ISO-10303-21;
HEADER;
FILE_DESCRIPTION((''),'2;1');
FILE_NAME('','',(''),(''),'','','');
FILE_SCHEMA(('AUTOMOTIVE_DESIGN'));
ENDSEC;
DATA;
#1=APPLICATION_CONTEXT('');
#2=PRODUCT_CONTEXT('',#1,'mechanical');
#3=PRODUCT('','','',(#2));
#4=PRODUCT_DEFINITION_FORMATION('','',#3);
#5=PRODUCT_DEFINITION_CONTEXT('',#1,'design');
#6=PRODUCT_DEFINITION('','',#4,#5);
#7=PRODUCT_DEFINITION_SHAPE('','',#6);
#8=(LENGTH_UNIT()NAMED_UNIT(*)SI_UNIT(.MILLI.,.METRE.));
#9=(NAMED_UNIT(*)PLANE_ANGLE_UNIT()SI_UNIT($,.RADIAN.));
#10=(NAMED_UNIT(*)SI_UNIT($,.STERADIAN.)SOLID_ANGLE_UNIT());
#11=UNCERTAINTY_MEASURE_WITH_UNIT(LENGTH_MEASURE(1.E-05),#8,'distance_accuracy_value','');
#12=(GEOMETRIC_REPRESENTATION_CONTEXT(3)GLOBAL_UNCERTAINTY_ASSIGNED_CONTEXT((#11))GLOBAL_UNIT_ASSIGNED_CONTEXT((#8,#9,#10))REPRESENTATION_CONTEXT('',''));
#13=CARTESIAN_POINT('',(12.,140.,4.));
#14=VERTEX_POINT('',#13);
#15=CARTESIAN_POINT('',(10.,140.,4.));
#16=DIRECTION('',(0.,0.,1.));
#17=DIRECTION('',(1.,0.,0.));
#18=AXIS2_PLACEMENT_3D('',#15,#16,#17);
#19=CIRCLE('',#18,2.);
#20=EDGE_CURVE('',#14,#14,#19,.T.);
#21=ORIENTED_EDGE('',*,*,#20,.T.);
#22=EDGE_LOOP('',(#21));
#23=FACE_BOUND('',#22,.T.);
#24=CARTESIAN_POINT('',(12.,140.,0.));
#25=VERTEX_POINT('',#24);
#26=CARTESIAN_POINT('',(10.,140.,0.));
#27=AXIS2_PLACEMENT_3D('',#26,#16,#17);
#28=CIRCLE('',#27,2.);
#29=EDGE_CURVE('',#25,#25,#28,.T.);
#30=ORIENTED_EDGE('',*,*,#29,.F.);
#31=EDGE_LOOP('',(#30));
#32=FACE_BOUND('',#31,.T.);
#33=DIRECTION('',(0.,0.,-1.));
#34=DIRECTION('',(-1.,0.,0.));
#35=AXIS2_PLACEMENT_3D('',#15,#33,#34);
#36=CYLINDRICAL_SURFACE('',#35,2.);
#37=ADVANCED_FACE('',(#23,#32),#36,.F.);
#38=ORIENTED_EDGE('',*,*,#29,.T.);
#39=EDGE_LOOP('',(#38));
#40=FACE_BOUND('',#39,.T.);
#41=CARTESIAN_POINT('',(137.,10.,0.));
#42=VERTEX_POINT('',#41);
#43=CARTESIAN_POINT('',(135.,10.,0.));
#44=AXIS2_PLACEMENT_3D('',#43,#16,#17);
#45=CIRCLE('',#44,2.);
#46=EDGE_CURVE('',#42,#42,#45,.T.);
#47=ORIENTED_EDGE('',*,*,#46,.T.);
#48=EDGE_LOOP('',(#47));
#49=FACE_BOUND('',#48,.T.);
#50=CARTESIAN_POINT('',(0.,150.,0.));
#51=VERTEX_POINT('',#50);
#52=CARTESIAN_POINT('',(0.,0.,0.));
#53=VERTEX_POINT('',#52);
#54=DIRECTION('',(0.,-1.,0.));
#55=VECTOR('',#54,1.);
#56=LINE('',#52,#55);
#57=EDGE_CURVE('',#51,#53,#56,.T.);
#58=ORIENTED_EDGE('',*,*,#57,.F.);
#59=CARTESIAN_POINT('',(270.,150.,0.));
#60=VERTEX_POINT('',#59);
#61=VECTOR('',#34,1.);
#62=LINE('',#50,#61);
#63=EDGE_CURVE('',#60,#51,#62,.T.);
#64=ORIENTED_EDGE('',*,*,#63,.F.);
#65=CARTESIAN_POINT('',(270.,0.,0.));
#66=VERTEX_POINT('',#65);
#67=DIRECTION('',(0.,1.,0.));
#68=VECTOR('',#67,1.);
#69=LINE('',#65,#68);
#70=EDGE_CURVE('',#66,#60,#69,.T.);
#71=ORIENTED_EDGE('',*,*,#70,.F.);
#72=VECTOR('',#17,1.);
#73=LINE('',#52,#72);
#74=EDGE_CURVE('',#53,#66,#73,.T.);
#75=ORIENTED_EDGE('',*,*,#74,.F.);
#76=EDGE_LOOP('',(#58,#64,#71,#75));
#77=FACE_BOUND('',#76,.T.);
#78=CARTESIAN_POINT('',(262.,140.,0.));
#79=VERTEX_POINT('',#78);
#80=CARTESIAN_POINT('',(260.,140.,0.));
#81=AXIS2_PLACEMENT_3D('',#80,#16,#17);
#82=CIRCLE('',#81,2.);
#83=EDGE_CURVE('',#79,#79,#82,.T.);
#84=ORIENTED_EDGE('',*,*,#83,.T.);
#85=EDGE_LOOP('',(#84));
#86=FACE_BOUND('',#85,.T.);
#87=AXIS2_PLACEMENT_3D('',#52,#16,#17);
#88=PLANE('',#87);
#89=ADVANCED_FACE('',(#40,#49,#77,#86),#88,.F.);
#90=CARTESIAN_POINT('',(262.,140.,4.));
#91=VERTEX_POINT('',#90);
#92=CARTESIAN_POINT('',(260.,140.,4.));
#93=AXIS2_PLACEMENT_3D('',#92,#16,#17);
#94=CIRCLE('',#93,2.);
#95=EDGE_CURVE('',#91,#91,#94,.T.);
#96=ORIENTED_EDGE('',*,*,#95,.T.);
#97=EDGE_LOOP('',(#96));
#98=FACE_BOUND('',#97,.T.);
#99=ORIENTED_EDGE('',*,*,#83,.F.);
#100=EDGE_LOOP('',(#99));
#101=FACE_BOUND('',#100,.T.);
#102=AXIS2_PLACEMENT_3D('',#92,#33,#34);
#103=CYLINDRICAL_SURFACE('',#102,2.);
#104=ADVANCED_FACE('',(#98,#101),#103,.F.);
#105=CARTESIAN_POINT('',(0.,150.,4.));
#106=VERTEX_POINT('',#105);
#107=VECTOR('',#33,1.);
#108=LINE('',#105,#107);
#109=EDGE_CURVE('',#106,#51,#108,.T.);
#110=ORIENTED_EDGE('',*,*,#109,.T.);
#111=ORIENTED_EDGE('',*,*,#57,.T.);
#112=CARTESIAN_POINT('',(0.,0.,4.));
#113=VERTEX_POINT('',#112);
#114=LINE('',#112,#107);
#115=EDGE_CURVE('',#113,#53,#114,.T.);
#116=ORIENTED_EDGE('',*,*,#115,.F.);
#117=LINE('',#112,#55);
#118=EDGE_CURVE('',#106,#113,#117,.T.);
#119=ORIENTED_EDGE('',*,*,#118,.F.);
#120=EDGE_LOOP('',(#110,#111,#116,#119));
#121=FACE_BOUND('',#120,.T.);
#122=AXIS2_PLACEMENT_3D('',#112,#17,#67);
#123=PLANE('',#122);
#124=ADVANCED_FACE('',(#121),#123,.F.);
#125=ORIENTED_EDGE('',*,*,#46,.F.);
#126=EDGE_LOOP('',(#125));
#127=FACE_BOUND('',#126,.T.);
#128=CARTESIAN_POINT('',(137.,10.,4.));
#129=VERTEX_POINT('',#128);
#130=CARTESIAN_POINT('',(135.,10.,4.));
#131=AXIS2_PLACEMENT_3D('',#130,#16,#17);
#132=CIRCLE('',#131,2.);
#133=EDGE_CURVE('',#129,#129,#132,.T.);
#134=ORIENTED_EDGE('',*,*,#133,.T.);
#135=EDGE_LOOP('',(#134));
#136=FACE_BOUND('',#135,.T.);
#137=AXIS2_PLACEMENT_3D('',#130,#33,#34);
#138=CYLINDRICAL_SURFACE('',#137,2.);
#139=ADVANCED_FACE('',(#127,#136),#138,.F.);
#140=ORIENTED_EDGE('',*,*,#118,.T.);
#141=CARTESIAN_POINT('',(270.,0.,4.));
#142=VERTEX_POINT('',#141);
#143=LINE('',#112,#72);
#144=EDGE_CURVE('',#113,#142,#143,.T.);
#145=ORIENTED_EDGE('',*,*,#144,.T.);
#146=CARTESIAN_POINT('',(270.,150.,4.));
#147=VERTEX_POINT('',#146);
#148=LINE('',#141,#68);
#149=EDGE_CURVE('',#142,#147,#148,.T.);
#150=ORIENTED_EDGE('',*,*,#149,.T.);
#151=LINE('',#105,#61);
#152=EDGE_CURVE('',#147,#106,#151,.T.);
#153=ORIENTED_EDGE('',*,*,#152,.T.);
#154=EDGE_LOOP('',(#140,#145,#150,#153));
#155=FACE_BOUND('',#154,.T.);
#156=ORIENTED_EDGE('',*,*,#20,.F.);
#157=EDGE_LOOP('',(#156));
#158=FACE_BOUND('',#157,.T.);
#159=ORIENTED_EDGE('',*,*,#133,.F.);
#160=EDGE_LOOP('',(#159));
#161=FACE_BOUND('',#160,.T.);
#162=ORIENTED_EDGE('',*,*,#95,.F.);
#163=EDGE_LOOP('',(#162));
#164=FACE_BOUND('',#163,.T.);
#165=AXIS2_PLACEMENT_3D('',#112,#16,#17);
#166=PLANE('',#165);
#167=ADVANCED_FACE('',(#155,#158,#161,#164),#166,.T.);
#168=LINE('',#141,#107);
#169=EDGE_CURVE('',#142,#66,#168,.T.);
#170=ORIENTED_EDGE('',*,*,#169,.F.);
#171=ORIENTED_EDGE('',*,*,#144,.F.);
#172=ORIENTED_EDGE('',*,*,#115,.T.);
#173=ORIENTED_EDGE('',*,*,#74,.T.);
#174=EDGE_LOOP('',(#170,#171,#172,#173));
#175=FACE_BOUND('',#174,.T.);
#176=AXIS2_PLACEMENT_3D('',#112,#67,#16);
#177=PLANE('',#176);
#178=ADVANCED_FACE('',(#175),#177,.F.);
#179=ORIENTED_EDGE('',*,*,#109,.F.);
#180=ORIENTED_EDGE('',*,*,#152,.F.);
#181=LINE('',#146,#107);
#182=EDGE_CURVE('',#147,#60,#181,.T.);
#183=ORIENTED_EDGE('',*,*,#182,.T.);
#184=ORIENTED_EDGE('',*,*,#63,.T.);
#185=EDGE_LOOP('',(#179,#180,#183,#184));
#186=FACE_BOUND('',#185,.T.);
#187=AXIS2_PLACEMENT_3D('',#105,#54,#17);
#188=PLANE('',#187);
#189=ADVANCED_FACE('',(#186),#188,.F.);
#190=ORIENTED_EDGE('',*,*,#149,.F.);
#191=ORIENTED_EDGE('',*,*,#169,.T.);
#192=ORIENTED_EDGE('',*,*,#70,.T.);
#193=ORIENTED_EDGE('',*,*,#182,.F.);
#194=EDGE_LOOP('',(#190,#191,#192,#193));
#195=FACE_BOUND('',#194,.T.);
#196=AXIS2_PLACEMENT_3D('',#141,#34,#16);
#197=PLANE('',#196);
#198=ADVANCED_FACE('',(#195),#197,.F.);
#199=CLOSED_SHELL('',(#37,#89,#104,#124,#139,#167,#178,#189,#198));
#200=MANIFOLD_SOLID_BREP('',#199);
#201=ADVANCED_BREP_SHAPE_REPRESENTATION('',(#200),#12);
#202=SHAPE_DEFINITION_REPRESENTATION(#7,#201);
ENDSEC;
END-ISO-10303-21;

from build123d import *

# Parameters (mm, degrees)
SKETCH2_W           = 270
SKETCH2_H           = 150
SKETCH2_R           = 2
BOSS_EXTRUDE1_DEPTH = 4


with BuildPart() as part:
    # Sketch2 → Boss-Extrude1 (new body)
    with BuildSketch(Plane.XY):
        with Locations((135, 75)):
            Rectangle(SKETCH2_W, SKETCH2_H)
        with Locations((10, 140)):
            Circle(SKETCH2_R, mode=Mode.SUBTRACT)
        with Locations((260, 140)):
            Circle(SKETCH2_R, mode=Mode.SUBTRACT)
        with Locations((135, 10)):
            Circle(SKETCH2_R, mode=Mode.SUBTRACT)
    extrude(amount=BOSS_EXTRUDE1_DEPTH)


solid = part.part
